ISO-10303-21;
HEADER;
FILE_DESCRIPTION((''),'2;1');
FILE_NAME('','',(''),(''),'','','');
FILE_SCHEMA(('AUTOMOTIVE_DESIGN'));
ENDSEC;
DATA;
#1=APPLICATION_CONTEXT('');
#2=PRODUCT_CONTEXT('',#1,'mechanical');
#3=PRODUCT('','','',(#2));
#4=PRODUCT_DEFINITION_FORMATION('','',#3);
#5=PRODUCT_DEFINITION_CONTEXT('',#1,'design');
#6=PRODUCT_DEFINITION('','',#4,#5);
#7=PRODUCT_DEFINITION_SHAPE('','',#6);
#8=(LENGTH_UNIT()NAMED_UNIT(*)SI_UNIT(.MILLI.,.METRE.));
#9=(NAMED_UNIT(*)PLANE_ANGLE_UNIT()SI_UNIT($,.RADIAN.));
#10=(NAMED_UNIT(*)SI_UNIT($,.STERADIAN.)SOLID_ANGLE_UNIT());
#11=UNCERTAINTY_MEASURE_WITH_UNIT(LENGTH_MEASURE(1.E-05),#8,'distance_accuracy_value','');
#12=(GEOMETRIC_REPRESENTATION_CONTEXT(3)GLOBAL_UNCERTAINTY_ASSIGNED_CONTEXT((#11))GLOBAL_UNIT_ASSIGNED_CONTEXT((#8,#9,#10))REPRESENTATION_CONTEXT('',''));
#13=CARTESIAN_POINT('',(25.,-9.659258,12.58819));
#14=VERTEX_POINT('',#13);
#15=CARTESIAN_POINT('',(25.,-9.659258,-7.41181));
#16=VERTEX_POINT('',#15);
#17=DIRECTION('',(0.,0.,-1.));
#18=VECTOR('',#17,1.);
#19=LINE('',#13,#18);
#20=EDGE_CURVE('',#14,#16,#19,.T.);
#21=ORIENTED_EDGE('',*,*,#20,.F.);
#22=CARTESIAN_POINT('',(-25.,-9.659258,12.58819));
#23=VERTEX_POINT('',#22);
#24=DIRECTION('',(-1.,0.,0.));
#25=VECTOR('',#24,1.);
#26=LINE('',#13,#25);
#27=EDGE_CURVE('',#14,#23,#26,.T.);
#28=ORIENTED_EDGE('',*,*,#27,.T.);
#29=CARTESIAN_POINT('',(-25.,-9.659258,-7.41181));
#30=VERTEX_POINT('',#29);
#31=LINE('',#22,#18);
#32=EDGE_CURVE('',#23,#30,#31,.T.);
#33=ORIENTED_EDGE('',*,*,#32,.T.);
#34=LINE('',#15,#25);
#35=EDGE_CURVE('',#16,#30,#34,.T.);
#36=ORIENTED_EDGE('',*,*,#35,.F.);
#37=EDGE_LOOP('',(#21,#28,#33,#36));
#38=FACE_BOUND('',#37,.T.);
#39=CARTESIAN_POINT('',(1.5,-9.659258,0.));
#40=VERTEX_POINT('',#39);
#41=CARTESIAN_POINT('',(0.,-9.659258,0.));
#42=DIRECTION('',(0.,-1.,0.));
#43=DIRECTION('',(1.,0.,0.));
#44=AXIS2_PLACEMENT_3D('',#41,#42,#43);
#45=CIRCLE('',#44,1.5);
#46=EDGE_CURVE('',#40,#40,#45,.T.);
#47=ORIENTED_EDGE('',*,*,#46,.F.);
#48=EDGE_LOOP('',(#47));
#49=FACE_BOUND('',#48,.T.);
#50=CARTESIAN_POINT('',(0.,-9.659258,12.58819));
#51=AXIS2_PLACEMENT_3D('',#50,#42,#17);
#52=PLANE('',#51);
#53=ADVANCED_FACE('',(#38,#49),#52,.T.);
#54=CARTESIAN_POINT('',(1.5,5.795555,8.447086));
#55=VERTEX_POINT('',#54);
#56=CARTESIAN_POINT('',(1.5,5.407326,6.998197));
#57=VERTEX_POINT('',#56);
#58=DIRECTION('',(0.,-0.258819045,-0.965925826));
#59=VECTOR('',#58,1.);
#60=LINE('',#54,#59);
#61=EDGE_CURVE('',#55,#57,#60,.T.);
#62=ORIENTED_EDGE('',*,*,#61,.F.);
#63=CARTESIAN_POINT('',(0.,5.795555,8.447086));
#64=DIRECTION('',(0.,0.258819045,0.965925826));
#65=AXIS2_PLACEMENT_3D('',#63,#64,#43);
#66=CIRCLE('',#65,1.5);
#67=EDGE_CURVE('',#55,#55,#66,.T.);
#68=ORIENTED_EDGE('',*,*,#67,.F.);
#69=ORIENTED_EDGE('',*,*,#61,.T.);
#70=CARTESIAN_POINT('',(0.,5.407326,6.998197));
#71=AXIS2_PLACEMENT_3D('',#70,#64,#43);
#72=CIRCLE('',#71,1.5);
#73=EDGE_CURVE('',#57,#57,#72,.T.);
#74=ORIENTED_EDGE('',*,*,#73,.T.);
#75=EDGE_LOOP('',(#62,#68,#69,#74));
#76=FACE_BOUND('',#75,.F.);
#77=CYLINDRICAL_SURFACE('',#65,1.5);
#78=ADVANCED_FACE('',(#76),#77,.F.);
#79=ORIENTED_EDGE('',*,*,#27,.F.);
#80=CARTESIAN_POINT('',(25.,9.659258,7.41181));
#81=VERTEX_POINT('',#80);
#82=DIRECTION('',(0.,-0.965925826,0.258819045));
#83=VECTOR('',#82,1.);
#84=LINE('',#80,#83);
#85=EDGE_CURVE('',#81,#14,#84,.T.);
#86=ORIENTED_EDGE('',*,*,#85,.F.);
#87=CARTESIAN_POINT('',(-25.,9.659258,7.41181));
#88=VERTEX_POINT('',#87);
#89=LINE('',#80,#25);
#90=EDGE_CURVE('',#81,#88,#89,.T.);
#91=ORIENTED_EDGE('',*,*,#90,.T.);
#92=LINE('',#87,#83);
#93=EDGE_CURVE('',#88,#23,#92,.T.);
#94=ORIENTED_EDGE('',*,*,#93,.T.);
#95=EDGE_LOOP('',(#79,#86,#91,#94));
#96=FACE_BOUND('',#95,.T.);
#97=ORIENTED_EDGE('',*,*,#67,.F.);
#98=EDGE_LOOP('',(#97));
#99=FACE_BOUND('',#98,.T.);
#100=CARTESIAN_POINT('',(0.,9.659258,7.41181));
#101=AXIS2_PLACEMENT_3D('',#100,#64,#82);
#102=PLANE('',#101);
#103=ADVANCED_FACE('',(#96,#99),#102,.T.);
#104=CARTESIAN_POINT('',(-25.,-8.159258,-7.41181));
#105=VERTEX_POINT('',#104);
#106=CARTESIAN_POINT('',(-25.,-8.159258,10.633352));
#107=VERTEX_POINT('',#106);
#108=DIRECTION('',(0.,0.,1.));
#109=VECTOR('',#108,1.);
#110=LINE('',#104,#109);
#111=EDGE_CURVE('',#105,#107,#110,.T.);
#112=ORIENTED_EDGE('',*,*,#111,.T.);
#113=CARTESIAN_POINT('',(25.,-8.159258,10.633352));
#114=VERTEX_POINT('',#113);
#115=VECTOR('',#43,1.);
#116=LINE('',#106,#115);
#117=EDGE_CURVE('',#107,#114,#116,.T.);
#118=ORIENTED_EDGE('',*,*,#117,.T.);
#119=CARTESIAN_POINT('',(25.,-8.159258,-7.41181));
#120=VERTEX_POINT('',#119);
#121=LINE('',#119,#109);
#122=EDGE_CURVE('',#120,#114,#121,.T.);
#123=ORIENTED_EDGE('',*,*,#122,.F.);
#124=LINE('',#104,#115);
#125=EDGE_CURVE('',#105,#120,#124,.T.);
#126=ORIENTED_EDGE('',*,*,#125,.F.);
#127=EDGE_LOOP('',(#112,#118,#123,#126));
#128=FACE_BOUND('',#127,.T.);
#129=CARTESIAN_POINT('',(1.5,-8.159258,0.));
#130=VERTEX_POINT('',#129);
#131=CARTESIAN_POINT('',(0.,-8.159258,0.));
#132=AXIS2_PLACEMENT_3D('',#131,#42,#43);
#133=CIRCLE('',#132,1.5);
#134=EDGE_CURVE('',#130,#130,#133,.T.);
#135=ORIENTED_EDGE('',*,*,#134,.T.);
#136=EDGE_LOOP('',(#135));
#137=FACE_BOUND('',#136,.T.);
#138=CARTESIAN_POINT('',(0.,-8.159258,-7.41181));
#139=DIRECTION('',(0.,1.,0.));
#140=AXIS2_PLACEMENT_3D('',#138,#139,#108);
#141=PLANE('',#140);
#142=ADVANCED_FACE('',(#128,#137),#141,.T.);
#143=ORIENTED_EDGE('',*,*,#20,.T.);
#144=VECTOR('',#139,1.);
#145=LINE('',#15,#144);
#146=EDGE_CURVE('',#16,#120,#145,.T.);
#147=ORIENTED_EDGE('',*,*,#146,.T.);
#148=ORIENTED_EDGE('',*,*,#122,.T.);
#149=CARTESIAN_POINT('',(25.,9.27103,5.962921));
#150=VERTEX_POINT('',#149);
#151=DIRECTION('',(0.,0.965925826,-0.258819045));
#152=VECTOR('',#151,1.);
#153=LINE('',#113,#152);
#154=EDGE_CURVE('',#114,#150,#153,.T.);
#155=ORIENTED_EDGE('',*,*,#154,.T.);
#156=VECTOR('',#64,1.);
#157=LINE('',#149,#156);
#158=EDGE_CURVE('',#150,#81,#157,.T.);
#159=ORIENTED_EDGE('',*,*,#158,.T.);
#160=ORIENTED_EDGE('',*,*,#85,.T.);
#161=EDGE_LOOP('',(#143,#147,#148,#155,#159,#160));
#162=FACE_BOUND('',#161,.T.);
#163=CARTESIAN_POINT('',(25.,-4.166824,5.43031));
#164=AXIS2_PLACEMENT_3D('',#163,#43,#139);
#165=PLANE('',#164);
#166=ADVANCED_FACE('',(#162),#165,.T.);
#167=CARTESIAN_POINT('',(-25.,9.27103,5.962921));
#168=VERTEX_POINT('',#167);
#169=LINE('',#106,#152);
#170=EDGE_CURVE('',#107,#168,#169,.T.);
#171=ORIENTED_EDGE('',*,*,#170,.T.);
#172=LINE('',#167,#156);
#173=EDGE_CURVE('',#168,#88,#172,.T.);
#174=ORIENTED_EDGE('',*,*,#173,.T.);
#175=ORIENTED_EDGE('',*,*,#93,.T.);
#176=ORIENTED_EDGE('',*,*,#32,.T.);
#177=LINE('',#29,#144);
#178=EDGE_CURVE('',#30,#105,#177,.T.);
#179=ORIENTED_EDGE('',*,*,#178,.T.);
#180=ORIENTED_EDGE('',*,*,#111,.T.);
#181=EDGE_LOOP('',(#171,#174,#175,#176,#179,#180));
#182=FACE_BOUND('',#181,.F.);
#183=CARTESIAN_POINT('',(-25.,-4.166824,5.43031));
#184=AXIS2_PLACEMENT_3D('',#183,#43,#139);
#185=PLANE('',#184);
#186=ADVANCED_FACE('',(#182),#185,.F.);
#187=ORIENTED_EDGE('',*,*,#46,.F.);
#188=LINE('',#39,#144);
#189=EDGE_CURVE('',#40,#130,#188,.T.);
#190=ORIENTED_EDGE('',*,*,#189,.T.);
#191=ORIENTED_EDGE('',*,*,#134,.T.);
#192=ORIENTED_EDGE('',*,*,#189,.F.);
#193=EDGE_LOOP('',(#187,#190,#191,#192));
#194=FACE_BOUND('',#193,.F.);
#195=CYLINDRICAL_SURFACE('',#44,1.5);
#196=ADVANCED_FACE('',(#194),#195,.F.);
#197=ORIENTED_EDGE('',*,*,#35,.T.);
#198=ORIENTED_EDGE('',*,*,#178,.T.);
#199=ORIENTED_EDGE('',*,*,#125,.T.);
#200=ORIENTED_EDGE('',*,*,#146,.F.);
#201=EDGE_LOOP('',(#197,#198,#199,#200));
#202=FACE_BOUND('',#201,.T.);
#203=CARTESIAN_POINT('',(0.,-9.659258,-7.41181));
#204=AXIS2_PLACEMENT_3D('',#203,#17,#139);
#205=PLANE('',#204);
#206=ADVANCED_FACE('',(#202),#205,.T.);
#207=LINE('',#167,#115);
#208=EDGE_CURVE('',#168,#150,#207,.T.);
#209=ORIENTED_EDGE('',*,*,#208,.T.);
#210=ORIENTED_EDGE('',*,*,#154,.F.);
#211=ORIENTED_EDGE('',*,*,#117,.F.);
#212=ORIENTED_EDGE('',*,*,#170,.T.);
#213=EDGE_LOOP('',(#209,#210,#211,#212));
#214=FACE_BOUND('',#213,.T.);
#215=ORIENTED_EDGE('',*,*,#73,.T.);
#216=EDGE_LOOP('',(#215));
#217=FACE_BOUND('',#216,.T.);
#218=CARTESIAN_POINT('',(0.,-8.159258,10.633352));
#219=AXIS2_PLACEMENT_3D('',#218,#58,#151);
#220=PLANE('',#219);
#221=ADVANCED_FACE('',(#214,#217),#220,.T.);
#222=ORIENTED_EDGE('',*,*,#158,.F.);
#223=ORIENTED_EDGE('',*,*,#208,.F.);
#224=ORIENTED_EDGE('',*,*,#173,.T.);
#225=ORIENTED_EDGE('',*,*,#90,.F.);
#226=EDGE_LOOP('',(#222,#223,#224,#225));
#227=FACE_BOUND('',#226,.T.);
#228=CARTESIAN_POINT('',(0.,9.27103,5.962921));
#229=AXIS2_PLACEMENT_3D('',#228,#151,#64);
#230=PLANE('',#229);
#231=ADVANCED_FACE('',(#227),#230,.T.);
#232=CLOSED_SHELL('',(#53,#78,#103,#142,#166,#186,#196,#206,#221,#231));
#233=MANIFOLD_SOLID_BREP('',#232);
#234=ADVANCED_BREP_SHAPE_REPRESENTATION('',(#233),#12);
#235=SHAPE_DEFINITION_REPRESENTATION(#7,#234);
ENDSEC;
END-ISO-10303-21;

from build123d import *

# Parameters (mm, degrees)
F1_DEPTH = 25
F2_R     = 1.5
F3_DEPTH = 1.5
F4_R     = 1.5
F5_DEPTH = 1.5


with BuildPart() as f1:
    # F0 (on Right) → F1 (new body, symmetric)
    with BuildSketch(Plane.YZ):
        Polygon((-9.6592582629, -7.411809549), (-8.1592582629, -7.411809549), (-8.1592582629, 10.6333523918), (9.2710296952, 5.9629208095), (9.6592582629, 7.411809549), (-9.6592582629, 12.588190451), align=None)
    extrude(amount=F1_DEPTH, both=True)

    # F2 (on face) → F3 (cut, through all)
    with BuildSketch(Plane.XZ.offset(9.6592582629)):
        Circle(F2_R)
    extrude(amount=-F3_DEPTH, mode=Mode.SUBTRACT)

    # F4 (on face) → F5 (cut, through all)
    with BuildSketch(Plane(origin=(0, 2.5, 9.3301270189), x_dir=(1, 0, 0), z_dir=(0, 0.2588190451, 0.9659258263))):
        with Locations((0, 3.411809549)):
            Circle(F4_R)
    extrude(amount=-F5_DEPTH, mode=Mode.SUBTRACT)


solid = f1.part
